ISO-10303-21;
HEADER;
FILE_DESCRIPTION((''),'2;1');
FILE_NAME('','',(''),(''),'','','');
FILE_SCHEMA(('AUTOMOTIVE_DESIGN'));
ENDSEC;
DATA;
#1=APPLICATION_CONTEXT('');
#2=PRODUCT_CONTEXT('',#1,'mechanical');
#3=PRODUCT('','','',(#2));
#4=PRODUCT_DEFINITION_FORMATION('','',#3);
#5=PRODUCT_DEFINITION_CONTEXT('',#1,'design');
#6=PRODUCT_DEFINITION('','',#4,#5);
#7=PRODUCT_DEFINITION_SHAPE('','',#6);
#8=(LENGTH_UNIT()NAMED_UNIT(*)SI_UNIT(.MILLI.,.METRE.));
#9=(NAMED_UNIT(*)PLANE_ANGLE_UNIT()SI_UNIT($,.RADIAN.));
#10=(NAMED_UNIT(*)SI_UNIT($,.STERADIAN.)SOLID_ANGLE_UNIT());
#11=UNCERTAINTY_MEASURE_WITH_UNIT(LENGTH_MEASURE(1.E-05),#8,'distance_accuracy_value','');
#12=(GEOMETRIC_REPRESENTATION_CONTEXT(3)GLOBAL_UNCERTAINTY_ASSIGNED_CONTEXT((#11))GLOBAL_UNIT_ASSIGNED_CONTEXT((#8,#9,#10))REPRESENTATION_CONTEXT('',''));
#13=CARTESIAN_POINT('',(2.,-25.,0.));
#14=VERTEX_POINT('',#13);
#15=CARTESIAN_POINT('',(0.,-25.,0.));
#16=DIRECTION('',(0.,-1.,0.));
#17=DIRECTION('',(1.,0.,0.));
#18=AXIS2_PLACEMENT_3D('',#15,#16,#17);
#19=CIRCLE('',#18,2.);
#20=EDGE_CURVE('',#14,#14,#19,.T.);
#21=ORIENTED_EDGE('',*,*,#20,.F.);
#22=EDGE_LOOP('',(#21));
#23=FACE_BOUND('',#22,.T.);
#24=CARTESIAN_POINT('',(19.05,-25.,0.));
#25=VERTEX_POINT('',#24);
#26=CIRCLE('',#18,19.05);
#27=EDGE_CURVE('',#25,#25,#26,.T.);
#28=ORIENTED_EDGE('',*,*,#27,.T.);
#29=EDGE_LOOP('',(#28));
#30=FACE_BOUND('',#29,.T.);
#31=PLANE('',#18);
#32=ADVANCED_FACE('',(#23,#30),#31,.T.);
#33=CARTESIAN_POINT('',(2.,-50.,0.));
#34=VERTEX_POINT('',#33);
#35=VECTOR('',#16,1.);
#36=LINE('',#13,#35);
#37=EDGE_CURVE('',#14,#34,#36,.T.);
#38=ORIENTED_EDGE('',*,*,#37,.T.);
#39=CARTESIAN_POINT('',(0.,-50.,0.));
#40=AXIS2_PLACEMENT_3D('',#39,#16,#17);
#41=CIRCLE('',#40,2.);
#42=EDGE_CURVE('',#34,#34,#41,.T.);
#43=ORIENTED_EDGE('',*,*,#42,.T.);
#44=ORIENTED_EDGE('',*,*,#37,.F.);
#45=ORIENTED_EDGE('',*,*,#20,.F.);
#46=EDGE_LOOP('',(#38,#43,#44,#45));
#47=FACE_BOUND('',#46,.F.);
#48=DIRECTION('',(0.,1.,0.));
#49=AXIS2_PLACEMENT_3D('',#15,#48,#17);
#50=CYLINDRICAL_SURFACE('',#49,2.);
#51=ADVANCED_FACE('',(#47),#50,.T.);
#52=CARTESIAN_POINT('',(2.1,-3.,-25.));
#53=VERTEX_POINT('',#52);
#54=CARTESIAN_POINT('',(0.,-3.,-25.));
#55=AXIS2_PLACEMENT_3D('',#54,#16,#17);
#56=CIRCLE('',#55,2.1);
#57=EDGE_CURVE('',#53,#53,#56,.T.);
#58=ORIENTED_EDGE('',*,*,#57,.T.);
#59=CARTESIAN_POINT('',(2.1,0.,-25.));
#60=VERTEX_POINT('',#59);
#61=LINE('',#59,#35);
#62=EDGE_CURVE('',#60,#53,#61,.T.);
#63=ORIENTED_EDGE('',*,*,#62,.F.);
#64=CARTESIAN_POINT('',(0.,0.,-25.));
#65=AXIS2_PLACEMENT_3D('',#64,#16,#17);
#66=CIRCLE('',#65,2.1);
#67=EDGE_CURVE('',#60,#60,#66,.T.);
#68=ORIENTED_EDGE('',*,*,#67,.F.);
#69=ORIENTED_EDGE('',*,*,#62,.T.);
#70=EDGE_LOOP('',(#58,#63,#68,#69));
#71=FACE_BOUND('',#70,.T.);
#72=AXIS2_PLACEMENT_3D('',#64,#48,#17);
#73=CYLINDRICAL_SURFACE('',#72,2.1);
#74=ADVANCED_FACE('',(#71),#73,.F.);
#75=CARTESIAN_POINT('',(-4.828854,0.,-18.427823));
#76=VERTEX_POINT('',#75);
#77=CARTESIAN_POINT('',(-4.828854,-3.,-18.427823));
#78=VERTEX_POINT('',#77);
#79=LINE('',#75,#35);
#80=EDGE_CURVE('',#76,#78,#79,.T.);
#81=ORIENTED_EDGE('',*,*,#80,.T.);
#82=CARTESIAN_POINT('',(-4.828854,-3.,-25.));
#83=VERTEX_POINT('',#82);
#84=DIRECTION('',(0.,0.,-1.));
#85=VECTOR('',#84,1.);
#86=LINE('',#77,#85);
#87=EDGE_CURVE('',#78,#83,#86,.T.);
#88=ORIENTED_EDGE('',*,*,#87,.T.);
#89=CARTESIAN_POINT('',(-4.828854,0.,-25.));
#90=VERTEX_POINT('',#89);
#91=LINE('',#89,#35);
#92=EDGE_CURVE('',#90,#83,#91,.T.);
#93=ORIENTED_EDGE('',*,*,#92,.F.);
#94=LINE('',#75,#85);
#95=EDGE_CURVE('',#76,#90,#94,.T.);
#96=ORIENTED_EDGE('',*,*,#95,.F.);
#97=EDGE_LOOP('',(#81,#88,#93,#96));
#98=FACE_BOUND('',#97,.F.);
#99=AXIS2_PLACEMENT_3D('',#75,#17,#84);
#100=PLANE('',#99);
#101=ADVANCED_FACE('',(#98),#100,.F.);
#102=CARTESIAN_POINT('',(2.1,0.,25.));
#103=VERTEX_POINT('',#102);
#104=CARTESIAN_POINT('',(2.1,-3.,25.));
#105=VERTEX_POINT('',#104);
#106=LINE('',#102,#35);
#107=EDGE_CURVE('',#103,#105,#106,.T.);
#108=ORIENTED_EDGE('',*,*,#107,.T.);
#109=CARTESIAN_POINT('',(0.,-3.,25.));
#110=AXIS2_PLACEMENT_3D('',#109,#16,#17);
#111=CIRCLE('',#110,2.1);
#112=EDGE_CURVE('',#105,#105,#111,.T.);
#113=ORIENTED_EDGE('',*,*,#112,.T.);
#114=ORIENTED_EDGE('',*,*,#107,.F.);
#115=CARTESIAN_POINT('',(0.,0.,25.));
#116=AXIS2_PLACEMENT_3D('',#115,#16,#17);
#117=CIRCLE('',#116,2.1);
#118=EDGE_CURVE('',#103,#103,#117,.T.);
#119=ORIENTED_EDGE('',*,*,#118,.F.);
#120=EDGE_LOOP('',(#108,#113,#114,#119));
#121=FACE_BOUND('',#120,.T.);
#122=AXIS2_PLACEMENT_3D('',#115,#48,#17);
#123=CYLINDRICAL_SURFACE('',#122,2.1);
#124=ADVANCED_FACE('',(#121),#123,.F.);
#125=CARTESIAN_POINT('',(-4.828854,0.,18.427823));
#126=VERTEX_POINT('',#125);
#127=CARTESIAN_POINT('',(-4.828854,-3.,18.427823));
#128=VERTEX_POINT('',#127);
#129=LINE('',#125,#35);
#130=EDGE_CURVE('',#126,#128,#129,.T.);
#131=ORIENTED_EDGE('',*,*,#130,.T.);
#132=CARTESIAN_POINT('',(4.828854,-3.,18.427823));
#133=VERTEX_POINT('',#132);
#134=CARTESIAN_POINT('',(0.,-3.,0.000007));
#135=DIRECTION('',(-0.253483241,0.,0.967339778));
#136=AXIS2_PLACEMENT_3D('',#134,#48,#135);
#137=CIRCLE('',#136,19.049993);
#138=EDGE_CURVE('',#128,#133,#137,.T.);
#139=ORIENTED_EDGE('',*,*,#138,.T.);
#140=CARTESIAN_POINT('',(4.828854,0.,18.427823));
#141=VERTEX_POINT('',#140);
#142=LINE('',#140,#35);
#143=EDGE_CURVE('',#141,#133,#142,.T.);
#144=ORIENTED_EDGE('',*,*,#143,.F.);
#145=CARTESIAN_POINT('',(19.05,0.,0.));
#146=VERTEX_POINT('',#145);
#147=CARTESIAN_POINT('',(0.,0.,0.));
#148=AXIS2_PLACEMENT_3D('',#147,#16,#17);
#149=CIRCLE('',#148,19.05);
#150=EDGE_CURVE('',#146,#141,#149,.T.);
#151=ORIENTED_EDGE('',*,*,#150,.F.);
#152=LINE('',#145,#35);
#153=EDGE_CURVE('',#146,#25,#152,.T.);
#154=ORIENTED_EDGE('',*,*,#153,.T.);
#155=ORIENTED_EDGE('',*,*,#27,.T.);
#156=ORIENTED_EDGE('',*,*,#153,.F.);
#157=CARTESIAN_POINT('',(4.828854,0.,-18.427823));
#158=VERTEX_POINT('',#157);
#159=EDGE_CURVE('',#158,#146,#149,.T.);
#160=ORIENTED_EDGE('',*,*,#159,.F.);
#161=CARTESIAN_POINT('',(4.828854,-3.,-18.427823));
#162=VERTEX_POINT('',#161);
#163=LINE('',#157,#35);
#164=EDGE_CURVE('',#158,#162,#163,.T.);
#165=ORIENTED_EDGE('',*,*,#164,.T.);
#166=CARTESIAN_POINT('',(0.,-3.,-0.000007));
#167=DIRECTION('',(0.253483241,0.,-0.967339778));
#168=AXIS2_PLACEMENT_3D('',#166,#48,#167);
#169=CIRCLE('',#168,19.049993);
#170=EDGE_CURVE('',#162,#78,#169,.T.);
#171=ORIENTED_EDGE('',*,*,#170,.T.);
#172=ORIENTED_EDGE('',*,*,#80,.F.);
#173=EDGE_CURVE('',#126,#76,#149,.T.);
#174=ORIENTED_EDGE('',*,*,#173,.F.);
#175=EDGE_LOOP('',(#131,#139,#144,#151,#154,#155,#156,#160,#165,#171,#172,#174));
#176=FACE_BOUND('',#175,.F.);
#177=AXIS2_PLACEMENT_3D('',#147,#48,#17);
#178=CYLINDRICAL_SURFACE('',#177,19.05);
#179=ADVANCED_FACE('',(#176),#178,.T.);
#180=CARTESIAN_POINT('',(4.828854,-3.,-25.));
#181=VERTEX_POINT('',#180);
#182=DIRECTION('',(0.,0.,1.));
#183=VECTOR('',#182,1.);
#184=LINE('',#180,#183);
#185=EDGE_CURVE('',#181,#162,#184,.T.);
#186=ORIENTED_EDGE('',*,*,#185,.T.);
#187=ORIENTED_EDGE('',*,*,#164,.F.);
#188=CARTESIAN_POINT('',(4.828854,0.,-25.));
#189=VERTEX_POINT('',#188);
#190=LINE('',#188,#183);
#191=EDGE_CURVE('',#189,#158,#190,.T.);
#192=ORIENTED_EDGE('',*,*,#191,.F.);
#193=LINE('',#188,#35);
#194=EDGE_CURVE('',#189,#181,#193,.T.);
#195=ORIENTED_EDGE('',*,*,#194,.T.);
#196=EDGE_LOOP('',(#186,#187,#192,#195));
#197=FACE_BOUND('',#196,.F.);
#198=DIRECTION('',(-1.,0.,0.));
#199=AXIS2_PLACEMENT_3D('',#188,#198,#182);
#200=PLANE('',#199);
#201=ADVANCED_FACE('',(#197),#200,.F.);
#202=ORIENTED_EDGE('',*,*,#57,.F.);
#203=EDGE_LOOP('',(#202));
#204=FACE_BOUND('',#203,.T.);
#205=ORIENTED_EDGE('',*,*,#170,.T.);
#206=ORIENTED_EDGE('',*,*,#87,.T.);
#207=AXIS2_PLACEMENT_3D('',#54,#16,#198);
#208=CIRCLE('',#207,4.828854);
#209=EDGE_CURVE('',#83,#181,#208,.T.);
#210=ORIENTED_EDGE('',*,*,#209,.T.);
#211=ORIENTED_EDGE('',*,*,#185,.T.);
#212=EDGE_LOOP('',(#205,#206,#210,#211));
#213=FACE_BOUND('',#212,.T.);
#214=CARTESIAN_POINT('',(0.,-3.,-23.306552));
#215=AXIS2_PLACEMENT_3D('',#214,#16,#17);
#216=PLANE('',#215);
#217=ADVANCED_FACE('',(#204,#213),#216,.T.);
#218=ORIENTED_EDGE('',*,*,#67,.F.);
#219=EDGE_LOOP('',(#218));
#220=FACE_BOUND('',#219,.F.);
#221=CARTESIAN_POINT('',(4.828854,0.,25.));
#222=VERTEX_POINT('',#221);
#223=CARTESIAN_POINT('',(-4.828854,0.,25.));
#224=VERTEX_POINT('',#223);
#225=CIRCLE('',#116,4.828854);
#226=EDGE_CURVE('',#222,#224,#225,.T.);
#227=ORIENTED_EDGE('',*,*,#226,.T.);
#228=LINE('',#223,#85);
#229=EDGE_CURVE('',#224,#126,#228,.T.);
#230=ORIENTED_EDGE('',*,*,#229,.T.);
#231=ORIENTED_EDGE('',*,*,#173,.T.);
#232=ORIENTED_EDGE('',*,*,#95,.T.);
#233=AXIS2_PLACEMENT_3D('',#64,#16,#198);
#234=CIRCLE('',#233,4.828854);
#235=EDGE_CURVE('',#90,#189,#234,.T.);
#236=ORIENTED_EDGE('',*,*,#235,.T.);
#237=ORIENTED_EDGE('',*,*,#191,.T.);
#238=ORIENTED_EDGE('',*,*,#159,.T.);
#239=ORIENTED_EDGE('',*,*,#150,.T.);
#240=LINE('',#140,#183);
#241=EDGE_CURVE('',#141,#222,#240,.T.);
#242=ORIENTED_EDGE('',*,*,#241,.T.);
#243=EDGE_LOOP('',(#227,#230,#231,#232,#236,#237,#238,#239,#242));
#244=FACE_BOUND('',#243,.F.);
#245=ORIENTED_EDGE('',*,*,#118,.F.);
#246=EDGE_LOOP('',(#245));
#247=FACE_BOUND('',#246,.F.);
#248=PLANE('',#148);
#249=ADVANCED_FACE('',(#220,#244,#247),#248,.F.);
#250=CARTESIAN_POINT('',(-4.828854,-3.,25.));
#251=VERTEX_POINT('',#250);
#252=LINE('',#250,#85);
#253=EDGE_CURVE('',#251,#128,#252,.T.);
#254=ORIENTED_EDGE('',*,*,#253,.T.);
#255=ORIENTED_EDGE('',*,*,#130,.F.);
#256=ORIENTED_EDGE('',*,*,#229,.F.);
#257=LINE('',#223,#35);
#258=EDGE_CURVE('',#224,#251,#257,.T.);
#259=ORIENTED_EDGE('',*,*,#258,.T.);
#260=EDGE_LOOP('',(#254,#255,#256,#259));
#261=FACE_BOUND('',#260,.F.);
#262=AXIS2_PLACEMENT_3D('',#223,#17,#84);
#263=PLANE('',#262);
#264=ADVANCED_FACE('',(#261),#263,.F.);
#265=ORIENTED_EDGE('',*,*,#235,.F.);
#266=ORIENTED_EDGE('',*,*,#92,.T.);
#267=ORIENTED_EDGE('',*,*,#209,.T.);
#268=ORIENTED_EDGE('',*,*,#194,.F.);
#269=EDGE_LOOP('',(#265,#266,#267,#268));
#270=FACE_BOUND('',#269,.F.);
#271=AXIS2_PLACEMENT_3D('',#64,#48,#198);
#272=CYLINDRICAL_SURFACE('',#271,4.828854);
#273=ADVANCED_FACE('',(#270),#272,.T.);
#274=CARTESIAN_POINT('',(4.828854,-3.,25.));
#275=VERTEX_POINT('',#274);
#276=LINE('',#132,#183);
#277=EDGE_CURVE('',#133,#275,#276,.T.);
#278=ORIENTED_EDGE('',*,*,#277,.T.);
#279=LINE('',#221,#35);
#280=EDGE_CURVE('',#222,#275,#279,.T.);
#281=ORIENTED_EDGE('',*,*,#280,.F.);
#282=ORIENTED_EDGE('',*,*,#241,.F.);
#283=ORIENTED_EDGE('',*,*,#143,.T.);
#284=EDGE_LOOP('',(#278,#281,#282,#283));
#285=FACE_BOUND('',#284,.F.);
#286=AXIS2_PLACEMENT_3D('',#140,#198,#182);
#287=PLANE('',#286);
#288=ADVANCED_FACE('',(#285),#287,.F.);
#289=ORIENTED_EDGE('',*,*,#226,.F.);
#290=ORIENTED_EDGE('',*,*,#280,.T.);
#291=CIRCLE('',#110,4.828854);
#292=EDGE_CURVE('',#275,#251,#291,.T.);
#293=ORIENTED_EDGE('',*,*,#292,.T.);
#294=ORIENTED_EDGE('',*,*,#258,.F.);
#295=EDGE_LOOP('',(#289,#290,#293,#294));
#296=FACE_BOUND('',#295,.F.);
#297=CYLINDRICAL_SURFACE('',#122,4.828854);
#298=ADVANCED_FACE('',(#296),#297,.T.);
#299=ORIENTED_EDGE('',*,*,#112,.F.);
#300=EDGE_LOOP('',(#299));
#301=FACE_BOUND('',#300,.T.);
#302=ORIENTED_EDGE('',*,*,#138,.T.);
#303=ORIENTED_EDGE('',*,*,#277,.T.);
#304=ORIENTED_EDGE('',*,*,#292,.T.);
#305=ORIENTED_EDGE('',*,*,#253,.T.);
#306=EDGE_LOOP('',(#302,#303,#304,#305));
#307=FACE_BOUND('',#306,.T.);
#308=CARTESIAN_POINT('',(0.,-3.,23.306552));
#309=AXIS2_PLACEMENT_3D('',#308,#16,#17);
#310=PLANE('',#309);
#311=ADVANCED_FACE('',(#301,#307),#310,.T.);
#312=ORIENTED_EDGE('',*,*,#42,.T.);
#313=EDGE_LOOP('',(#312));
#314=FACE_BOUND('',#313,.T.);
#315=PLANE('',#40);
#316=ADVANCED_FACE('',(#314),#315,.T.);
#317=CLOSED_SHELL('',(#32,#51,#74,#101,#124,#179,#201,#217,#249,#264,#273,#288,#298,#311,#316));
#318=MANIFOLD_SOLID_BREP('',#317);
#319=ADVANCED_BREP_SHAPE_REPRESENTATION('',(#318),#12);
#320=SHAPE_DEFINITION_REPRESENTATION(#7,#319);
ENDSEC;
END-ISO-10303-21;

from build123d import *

# Parameters (mm, degrees)
F1_R     = 19.05
F2_DEPTH = 25
F3_R     = 2.1
F4_DEPTH = 3
F5_R     = 2
F6_DEPTH = 25


with BuildPart() as f2:
    # F1 (on offset) → F2 (new body)
    with BuildSketch(Plane.XZ):
        Circle(F1_R)
    extrude(amount=F2_DEPTH)

    # F3 (on offset) → F4 (join)
    with BuildSketch(Plane.XZ):
        with BuildLine():
            ThreePointArc((4.828854, 25), (0, 29.828854), (-4.828854, 25))
            Line((-4.828854, 25), (-4.828854, 18.427823))
            ThreePointArc((-4.828854, 18.427823), (0, 19.05), (4.828854, 18.427823))
            Line((4.828854, 18.427823), (4.828854, 25))
        make_face()
        with Locations((0, 25)):
            Circle(F3_R, mode=Mode.SUBTRACT)
        with BuildLine():
            ThreePointArc((-4.828854, -25), (0, -29.828854), (4.828854, -25))
            Line((4.828854, -25), (4.828854, -18.427823))
            ThreePointArc((4.828854, -18.427823), (0, -19.05), (-4.828854, -18.427823))
            Line((-4.828854, -18.427823), (-4.828854, -25))
        make_face()
        with Locations((0, -25)):
            Circle(F3_R, mode=Mode.SUBTRACT)
    extrude(amount=F4_DEPTH)

    # F5 (on face) → F6 (join)
    with BuildSketch(Plane.XZ.offset(25)):
        Circle(F5_R)
    extrude(amount=F6_DEPTH)


solid = f2.part
